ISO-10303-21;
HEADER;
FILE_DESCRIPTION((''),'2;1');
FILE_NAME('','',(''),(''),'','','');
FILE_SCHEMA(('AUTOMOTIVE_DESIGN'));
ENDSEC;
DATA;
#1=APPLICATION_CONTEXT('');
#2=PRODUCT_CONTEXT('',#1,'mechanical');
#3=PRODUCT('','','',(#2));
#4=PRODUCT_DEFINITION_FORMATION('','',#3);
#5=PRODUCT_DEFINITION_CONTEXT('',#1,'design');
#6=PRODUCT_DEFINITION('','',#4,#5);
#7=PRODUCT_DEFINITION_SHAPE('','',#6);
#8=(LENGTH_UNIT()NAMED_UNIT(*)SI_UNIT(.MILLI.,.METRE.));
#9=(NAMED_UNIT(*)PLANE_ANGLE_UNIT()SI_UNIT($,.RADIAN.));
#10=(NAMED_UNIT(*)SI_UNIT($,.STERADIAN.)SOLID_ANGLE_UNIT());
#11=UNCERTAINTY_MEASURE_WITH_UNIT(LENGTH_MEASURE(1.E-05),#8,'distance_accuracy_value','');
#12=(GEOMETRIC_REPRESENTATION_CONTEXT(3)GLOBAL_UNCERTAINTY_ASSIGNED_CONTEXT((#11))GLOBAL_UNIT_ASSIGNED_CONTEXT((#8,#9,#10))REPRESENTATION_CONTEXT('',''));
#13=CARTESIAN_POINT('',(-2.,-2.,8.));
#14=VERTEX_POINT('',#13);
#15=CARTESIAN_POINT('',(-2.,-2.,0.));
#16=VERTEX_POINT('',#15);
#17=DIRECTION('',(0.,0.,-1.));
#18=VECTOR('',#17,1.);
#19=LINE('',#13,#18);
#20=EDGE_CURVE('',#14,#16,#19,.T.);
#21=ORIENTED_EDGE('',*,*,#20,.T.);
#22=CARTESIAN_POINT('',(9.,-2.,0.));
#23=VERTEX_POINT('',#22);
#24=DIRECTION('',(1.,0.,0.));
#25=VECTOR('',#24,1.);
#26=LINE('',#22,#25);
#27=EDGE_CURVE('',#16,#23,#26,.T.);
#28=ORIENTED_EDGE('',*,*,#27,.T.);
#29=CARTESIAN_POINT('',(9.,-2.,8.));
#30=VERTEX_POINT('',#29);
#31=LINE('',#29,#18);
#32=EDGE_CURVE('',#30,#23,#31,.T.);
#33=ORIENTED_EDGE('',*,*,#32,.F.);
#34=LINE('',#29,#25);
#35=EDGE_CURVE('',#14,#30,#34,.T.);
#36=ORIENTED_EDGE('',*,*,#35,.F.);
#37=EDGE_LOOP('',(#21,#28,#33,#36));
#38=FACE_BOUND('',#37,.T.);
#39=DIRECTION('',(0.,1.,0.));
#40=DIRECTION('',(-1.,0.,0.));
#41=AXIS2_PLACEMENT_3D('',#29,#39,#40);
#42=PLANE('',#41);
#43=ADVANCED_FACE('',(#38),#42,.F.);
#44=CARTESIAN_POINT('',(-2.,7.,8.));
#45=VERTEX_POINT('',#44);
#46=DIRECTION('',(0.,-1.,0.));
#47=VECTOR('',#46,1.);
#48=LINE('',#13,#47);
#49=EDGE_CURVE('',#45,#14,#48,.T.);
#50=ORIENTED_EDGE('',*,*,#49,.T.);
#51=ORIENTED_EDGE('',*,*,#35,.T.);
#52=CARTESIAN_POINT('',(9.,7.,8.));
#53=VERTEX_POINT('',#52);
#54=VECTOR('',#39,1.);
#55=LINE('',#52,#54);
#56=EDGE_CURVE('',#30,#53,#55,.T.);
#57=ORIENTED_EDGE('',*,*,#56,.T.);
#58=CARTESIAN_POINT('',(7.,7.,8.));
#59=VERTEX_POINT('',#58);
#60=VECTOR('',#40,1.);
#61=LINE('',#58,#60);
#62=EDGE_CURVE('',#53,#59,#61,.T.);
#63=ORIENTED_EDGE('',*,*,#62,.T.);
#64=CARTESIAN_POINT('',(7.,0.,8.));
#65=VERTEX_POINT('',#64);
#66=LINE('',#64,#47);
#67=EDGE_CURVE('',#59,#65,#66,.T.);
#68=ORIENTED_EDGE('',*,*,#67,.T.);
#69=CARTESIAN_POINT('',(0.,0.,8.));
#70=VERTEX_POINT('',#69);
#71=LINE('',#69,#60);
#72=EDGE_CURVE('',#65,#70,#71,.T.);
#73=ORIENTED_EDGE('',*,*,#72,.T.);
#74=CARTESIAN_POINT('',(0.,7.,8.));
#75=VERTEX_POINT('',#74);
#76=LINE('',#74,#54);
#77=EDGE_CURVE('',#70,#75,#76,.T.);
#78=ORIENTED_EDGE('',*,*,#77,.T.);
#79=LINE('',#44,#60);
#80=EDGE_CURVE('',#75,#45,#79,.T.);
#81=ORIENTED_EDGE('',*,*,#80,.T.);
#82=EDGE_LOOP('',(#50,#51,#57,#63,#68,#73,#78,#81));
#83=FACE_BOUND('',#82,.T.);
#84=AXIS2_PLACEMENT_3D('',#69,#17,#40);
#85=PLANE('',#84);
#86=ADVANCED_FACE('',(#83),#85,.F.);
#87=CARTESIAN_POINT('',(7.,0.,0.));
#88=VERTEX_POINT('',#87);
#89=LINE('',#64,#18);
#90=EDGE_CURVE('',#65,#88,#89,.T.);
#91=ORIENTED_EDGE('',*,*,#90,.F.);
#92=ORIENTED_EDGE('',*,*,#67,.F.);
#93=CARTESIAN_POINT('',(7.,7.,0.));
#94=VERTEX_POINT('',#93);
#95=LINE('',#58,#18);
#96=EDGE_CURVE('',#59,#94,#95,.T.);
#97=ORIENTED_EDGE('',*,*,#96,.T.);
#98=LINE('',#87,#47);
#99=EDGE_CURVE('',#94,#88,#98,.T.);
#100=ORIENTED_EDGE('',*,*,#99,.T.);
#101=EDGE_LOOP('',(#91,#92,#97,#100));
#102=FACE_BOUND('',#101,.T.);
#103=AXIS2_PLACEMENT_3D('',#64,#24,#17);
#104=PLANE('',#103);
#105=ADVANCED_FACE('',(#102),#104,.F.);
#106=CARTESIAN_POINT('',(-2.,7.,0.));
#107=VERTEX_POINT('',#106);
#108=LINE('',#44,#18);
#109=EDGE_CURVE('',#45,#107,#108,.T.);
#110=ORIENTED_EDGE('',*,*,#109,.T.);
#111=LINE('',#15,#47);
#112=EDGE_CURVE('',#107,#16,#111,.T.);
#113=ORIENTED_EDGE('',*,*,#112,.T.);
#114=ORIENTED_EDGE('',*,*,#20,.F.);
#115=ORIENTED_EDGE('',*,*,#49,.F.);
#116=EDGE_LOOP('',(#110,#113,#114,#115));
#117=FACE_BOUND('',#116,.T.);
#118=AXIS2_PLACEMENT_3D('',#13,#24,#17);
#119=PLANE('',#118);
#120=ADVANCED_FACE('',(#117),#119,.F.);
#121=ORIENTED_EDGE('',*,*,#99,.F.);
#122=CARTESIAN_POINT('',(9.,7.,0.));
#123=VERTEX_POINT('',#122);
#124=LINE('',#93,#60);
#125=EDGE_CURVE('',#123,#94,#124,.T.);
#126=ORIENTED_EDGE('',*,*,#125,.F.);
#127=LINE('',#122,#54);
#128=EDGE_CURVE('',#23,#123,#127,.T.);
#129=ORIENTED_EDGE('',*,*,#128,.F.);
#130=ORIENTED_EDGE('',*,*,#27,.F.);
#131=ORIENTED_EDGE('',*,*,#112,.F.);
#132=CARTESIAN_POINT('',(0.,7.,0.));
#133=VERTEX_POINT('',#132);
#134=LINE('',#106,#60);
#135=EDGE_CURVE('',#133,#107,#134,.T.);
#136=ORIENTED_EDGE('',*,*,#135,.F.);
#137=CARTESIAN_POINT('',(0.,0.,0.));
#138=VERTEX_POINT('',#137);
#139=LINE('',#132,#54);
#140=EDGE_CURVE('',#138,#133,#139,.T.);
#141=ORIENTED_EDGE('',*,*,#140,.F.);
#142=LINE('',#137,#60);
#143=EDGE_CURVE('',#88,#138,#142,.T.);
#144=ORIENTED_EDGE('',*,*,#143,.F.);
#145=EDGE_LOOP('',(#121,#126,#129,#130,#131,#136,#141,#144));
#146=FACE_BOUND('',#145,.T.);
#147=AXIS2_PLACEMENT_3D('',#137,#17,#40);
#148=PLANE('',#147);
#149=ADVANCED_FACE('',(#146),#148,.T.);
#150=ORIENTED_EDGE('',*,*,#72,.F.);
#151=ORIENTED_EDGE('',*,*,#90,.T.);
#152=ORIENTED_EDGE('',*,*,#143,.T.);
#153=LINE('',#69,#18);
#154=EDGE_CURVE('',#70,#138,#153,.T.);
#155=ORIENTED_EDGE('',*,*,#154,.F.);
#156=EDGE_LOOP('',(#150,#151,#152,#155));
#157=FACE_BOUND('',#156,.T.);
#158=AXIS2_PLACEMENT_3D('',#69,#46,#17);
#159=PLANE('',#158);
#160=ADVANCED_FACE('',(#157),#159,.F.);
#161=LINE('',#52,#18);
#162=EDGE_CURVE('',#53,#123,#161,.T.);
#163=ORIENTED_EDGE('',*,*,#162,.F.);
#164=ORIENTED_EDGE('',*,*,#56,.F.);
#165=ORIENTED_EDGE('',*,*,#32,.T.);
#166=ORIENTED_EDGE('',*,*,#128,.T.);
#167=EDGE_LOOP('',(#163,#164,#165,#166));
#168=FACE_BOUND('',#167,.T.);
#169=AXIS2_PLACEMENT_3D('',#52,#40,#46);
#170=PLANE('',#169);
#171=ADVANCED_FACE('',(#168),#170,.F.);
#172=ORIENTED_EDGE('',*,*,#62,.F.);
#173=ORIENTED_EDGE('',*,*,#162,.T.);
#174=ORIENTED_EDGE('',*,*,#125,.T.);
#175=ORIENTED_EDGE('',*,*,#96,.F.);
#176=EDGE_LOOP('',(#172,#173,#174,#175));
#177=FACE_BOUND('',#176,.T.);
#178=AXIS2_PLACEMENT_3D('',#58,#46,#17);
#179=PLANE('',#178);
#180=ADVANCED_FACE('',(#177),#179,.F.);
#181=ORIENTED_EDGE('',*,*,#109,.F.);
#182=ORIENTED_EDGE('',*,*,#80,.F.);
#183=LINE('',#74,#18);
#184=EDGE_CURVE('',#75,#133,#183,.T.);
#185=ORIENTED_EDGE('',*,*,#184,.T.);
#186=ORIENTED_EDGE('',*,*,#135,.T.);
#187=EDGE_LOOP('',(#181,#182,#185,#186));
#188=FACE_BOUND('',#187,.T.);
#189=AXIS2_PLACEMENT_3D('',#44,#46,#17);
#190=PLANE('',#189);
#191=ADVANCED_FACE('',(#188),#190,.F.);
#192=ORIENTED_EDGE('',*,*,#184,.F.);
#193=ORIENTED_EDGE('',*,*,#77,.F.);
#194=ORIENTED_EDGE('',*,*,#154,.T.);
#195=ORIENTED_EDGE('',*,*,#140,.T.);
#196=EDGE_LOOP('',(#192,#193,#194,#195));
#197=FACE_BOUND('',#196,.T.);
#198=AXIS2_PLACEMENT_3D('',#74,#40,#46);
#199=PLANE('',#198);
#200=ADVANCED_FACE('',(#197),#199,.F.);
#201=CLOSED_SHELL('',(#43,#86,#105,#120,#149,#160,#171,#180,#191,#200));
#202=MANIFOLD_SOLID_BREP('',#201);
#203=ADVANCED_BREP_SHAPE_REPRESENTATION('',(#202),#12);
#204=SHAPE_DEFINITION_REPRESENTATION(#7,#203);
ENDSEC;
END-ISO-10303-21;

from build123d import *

# Parameters (mm, degrees)
BOSS_EXTRUDE1_DEPTH = 8


with BuildPart() as part:
    # Sketch1 → Boss-Extrude1 (new body)
    with BuildSketch(Plane.XY):
        Polygon((0, 7), (0, 0), (7, 0), (7, 7), (9, 7), (9, -2), (-2, -2), (-2, 7), align=None)
    extrude(amount=BOSS_EXTRUDE1_DEPTH)


solid = part.part
